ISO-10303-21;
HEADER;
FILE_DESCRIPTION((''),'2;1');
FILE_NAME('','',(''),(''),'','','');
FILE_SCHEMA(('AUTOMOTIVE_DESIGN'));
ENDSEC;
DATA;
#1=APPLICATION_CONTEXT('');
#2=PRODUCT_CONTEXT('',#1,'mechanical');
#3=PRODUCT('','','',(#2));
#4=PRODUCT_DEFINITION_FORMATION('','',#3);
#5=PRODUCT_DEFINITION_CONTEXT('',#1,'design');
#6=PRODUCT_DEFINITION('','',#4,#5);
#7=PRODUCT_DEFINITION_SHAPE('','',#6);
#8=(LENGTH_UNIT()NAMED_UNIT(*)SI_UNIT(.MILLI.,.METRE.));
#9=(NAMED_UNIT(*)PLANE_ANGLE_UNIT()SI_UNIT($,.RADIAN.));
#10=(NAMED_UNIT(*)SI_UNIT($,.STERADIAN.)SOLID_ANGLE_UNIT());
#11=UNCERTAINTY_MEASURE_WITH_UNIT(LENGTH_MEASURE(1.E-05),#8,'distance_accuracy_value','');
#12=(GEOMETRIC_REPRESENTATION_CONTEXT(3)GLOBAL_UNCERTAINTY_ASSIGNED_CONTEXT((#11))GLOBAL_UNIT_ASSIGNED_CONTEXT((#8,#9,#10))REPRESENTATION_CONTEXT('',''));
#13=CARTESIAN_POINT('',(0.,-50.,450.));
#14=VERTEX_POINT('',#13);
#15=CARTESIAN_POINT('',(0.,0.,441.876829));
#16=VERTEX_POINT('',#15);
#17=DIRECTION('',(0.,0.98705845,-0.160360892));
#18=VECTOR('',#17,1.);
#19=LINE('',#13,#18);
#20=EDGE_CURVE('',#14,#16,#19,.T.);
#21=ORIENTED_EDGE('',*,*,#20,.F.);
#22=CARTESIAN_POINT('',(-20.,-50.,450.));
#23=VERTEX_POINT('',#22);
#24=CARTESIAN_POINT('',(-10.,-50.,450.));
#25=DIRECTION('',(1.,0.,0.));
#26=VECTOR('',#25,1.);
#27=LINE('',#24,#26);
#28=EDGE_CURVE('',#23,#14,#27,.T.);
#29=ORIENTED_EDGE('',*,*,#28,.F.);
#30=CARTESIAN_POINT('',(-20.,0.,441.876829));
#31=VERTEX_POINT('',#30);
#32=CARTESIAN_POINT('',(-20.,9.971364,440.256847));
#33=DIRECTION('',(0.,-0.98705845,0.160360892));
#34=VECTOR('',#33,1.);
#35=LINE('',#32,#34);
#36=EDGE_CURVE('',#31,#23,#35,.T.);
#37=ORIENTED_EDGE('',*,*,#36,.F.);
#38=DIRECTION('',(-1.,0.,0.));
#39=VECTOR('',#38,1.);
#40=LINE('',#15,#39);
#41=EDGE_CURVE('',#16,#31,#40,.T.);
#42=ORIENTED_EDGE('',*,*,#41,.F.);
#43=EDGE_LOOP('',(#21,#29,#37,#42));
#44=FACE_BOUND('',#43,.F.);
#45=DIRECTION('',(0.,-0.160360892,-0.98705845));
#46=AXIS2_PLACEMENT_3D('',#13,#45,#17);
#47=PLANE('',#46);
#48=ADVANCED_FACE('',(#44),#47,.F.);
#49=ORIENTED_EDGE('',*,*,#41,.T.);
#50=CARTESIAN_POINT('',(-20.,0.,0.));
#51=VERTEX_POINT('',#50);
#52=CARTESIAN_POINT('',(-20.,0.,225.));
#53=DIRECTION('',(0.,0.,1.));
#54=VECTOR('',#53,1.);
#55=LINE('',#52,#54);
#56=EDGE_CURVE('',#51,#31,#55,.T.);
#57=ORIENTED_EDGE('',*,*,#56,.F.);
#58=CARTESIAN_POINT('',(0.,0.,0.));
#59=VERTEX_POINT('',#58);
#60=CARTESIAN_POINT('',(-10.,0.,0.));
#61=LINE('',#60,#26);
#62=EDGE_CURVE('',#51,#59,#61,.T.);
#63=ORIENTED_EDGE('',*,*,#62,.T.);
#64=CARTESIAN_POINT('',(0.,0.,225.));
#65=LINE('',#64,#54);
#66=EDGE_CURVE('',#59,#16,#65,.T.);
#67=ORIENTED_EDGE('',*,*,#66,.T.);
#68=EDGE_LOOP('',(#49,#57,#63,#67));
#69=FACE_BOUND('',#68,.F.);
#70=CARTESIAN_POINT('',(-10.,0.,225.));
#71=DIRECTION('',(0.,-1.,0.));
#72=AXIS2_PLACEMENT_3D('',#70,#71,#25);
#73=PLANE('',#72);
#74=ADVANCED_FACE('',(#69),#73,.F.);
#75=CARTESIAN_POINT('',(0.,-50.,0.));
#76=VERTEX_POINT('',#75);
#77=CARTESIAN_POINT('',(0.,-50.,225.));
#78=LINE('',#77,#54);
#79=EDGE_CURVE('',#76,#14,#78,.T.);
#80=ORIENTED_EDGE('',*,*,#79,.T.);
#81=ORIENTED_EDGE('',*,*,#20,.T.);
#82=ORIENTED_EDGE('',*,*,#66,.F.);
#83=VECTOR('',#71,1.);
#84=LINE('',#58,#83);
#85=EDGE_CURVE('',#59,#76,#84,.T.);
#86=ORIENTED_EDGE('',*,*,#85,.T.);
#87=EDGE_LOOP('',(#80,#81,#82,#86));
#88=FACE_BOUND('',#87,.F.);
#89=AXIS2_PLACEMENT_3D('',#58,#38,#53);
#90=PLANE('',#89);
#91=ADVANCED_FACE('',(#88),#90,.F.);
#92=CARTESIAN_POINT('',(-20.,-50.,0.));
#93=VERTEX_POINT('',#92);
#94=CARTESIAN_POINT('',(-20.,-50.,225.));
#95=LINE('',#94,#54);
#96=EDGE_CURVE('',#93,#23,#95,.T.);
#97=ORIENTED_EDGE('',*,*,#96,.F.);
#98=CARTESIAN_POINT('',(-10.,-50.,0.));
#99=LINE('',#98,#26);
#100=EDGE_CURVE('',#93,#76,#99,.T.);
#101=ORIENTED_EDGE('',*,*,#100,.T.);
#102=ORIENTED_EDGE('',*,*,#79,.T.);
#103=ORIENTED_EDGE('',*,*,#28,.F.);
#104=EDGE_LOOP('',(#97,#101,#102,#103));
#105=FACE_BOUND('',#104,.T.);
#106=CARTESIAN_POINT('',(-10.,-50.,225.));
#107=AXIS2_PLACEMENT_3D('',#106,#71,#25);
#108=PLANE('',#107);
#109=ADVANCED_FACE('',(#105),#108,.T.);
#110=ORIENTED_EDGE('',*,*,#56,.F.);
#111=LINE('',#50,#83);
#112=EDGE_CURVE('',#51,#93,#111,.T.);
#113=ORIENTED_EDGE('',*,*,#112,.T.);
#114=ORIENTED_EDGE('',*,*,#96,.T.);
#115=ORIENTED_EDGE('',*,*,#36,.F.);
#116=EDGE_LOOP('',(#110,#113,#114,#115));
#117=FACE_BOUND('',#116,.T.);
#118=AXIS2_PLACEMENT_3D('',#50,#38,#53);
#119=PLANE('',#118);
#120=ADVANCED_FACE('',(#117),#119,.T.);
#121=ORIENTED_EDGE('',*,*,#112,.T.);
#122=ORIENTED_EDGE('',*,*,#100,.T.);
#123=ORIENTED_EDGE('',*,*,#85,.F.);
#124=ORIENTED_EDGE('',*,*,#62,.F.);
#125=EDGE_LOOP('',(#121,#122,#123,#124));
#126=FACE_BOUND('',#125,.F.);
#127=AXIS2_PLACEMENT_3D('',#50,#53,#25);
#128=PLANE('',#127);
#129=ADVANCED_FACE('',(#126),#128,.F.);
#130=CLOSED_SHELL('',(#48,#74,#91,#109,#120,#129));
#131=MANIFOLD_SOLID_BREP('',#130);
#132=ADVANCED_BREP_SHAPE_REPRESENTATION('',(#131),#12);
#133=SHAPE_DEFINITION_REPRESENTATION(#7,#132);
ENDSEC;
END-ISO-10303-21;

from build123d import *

# Parameters (mm, degrees)
F0_W     = 20
F0_H     = 450
F1_DEPTH = 50
F3_DEPTH = 25


with BuildPart() as f1:
    # F0 (on Front) → F1 (new body)
    with BuildSketch(Plane.XZ):
        with Locations((-10, 225)):
            Rectangle(F0_W, F0_H)
    extrude(amount=F1_DEPTH)

    # F2 (on face) → F3 (cut)
    with BuildSketch(Plane.YZ):
        Polygon((0, 450), (-50, 450), (0, 441.876829), align=None)
    extrude(amount=-F3_DEPTH, mode=Mode.SUBTRACT)


solid = f1.part
